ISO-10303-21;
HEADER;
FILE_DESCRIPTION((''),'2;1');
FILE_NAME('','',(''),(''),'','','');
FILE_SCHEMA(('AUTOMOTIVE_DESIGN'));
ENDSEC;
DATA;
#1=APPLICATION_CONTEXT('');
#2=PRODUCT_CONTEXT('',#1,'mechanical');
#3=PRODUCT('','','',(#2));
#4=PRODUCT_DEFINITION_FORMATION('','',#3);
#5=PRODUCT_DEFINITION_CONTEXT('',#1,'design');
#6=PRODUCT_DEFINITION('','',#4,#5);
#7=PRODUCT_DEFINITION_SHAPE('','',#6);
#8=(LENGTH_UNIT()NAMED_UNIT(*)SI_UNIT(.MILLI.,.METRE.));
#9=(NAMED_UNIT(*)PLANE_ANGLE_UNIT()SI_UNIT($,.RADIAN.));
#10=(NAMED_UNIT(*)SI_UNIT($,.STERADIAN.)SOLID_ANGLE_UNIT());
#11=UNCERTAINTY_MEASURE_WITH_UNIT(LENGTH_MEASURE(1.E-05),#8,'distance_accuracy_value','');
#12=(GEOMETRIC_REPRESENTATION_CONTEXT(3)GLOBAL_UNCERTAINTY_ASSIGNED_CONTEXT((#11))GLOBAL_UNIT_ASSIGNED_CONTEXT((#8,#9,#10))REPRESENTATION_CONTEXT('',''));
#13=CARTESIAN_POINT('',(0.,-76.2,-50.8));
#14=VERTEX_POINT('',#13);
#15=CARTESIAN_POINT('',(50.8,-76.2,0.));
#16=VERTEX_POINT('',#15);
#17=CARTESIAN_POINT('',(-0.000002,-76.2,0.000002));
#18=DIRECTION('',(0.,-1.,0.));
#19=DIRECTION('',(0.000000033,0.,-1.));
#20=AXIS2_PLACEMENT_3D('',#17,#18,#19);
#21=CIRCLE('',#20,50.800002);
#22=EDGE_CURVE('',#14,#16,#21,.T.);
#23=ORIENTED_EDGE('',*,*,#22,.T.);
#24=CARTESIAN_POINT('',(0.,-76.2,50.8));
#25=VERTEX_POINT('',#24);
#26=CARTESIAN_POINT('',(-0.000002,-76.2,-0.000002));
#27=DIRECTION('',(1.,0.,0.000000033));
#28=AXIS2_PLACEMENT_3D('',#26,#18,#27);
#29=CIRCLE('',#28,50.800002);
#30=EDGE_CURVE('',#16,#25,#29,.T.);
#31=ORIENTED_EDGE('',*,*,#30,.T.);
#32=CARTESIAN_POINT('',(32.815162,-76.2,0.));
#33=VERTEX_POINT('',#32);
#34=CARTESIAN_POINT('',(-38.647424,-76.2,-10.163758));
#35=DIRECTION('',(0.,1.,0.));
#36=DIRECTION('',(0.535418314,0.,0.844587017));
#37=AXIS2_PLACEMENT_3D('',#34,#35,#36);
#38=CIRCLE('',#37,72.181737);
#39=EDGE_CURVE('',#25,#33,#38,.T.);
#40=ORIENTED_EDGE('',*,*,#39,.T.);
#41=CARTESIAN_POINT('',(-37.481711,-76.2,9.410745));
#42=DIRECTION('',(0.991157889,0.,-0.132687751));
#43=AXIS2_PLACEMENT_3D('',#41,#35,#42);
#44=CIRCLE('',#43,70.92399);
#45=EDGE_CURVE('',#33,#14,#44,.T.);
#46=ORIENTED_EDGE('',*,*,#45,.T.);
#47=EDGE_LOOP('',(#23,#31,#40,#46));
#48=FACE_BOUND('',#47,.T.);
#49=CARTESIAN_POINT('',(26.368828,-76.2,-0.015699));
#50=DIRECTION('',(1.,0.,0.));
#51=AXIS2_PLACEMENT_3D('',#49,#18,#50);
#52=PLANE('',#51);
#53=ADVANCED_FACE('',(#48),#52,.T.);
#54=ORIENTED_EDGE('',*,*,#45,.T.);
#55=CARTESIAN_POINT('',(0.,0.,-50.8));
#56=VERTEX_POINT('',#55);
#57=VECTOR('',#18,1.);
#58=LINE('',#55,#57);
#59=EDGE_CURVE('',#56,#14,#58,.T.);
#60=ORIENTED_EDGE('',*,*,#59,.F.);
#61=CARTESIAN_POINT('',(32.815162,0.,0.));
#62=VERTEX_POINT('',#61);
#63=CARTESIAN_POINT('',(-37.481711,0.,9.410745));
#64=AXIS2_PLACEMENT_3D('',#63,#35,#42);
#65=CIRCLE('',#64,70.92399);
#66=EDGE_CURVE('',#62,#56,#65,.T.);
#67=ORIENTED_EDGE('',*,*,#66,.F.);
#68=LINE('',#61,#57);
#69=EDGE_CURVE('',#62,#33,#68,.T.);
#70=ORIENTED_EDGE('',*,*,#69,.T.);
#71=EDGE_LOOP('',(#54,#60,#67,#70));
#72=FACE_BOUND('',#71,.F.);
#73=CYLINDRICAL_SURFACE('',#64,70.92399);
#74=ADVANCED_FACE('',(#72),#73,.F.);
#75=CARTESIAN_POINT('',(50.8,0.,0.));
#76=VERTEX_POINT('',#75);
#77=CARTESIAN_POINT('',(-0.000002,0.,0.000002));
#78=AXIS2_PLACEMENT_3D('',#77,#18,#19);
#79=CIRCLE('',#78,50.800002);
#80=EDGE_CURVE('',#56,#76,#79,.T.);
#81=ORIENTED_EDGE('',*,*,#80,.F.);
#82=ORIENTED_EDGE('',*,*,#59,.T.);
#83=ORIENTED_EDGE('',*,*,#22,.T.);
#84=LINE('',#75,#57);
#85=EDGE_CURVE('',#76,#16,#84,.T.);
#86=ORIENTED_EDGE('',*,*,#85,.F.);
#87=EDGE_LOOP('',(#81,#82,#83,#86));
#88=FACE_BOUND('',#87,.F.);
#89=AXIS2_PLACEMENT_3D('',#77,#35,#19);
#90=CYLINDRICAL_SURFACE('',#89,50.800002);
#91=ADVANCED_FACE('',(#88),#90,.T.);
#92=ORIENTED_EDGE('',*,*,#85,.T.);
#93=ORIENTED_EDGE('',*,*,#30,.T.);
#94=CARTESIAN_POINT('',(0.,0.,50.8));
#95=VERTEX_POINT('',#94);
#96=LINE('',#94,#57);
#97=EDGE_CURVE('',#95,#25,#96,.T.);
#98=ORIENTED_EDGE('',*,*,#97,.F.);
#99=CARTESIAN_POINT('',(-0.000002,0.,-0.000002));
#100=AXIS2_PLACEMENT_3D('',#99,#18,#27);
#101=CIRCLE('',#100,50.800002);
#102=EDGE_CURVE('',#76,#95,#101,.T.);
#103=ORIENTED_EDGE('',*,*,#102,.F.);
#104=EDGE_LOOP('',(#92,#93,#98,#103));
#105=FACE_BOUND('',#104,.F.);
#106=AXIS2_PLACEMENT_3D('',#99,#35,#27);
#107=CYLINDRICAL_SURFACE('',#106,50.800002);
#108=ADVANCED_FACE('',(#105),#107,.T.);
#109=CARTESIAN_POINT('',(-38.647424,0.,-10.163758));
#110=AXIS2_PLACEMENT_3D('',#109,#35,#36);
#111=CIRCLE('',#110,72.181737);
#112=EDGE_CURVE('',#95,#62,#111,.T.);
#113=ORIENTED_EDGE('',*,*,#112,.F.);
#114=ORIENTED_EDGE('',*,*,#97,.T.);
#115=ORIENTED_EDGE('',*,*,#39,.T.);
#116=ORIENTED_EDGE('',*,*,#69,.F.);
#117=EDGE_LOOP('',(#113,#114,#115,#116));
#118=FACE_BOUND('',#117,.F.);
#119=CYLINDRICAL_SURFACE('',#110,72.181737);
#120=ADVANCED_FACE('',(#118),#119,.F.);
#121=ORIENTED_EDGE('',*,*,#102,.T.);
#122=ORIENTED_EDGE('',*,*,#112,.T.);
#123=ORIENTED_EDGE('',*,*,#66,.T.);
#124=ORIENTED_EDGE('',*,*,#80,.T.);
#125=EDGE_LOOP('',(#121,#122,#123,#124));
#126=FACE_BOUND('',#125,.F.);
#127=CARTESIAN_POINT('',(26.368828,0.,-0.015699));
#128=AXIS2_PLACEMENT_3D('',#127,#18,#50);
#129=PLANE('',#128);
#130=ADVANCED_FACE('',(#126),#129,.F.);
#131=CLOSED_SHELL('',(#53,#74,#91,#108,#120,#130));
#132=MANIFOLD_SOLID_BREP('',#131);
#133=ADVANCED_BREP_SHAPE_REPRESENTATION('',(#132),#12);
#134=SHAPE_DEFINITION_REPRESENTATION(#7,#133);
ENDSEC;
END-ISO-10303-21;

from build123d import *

# Parameters (mm, degrees)
F1_DEPTH = 76.2


with BuildPart() as f1:
    # F0 (on Front) → F1 (new body)
    with BuildSketch(Plane.XZ):
        with BuildLine():
            ThreePointArc((0, -50.8), (35.921024, -35.921024), (50.8, 0))
            ThreePointArc((50.8, 0), (35.921024, 35.921024), (0, 50.8))
            ThreePointArc((0, 50.8), (21.984363, 29.002421), (32.815162, 0))
            ThreePointArc((32.815162, 0), (22.093584, -29.072975), (0, -50.8))
        make_face()
    extrude(amount=F1_DEPTH)


solid = f1.part
